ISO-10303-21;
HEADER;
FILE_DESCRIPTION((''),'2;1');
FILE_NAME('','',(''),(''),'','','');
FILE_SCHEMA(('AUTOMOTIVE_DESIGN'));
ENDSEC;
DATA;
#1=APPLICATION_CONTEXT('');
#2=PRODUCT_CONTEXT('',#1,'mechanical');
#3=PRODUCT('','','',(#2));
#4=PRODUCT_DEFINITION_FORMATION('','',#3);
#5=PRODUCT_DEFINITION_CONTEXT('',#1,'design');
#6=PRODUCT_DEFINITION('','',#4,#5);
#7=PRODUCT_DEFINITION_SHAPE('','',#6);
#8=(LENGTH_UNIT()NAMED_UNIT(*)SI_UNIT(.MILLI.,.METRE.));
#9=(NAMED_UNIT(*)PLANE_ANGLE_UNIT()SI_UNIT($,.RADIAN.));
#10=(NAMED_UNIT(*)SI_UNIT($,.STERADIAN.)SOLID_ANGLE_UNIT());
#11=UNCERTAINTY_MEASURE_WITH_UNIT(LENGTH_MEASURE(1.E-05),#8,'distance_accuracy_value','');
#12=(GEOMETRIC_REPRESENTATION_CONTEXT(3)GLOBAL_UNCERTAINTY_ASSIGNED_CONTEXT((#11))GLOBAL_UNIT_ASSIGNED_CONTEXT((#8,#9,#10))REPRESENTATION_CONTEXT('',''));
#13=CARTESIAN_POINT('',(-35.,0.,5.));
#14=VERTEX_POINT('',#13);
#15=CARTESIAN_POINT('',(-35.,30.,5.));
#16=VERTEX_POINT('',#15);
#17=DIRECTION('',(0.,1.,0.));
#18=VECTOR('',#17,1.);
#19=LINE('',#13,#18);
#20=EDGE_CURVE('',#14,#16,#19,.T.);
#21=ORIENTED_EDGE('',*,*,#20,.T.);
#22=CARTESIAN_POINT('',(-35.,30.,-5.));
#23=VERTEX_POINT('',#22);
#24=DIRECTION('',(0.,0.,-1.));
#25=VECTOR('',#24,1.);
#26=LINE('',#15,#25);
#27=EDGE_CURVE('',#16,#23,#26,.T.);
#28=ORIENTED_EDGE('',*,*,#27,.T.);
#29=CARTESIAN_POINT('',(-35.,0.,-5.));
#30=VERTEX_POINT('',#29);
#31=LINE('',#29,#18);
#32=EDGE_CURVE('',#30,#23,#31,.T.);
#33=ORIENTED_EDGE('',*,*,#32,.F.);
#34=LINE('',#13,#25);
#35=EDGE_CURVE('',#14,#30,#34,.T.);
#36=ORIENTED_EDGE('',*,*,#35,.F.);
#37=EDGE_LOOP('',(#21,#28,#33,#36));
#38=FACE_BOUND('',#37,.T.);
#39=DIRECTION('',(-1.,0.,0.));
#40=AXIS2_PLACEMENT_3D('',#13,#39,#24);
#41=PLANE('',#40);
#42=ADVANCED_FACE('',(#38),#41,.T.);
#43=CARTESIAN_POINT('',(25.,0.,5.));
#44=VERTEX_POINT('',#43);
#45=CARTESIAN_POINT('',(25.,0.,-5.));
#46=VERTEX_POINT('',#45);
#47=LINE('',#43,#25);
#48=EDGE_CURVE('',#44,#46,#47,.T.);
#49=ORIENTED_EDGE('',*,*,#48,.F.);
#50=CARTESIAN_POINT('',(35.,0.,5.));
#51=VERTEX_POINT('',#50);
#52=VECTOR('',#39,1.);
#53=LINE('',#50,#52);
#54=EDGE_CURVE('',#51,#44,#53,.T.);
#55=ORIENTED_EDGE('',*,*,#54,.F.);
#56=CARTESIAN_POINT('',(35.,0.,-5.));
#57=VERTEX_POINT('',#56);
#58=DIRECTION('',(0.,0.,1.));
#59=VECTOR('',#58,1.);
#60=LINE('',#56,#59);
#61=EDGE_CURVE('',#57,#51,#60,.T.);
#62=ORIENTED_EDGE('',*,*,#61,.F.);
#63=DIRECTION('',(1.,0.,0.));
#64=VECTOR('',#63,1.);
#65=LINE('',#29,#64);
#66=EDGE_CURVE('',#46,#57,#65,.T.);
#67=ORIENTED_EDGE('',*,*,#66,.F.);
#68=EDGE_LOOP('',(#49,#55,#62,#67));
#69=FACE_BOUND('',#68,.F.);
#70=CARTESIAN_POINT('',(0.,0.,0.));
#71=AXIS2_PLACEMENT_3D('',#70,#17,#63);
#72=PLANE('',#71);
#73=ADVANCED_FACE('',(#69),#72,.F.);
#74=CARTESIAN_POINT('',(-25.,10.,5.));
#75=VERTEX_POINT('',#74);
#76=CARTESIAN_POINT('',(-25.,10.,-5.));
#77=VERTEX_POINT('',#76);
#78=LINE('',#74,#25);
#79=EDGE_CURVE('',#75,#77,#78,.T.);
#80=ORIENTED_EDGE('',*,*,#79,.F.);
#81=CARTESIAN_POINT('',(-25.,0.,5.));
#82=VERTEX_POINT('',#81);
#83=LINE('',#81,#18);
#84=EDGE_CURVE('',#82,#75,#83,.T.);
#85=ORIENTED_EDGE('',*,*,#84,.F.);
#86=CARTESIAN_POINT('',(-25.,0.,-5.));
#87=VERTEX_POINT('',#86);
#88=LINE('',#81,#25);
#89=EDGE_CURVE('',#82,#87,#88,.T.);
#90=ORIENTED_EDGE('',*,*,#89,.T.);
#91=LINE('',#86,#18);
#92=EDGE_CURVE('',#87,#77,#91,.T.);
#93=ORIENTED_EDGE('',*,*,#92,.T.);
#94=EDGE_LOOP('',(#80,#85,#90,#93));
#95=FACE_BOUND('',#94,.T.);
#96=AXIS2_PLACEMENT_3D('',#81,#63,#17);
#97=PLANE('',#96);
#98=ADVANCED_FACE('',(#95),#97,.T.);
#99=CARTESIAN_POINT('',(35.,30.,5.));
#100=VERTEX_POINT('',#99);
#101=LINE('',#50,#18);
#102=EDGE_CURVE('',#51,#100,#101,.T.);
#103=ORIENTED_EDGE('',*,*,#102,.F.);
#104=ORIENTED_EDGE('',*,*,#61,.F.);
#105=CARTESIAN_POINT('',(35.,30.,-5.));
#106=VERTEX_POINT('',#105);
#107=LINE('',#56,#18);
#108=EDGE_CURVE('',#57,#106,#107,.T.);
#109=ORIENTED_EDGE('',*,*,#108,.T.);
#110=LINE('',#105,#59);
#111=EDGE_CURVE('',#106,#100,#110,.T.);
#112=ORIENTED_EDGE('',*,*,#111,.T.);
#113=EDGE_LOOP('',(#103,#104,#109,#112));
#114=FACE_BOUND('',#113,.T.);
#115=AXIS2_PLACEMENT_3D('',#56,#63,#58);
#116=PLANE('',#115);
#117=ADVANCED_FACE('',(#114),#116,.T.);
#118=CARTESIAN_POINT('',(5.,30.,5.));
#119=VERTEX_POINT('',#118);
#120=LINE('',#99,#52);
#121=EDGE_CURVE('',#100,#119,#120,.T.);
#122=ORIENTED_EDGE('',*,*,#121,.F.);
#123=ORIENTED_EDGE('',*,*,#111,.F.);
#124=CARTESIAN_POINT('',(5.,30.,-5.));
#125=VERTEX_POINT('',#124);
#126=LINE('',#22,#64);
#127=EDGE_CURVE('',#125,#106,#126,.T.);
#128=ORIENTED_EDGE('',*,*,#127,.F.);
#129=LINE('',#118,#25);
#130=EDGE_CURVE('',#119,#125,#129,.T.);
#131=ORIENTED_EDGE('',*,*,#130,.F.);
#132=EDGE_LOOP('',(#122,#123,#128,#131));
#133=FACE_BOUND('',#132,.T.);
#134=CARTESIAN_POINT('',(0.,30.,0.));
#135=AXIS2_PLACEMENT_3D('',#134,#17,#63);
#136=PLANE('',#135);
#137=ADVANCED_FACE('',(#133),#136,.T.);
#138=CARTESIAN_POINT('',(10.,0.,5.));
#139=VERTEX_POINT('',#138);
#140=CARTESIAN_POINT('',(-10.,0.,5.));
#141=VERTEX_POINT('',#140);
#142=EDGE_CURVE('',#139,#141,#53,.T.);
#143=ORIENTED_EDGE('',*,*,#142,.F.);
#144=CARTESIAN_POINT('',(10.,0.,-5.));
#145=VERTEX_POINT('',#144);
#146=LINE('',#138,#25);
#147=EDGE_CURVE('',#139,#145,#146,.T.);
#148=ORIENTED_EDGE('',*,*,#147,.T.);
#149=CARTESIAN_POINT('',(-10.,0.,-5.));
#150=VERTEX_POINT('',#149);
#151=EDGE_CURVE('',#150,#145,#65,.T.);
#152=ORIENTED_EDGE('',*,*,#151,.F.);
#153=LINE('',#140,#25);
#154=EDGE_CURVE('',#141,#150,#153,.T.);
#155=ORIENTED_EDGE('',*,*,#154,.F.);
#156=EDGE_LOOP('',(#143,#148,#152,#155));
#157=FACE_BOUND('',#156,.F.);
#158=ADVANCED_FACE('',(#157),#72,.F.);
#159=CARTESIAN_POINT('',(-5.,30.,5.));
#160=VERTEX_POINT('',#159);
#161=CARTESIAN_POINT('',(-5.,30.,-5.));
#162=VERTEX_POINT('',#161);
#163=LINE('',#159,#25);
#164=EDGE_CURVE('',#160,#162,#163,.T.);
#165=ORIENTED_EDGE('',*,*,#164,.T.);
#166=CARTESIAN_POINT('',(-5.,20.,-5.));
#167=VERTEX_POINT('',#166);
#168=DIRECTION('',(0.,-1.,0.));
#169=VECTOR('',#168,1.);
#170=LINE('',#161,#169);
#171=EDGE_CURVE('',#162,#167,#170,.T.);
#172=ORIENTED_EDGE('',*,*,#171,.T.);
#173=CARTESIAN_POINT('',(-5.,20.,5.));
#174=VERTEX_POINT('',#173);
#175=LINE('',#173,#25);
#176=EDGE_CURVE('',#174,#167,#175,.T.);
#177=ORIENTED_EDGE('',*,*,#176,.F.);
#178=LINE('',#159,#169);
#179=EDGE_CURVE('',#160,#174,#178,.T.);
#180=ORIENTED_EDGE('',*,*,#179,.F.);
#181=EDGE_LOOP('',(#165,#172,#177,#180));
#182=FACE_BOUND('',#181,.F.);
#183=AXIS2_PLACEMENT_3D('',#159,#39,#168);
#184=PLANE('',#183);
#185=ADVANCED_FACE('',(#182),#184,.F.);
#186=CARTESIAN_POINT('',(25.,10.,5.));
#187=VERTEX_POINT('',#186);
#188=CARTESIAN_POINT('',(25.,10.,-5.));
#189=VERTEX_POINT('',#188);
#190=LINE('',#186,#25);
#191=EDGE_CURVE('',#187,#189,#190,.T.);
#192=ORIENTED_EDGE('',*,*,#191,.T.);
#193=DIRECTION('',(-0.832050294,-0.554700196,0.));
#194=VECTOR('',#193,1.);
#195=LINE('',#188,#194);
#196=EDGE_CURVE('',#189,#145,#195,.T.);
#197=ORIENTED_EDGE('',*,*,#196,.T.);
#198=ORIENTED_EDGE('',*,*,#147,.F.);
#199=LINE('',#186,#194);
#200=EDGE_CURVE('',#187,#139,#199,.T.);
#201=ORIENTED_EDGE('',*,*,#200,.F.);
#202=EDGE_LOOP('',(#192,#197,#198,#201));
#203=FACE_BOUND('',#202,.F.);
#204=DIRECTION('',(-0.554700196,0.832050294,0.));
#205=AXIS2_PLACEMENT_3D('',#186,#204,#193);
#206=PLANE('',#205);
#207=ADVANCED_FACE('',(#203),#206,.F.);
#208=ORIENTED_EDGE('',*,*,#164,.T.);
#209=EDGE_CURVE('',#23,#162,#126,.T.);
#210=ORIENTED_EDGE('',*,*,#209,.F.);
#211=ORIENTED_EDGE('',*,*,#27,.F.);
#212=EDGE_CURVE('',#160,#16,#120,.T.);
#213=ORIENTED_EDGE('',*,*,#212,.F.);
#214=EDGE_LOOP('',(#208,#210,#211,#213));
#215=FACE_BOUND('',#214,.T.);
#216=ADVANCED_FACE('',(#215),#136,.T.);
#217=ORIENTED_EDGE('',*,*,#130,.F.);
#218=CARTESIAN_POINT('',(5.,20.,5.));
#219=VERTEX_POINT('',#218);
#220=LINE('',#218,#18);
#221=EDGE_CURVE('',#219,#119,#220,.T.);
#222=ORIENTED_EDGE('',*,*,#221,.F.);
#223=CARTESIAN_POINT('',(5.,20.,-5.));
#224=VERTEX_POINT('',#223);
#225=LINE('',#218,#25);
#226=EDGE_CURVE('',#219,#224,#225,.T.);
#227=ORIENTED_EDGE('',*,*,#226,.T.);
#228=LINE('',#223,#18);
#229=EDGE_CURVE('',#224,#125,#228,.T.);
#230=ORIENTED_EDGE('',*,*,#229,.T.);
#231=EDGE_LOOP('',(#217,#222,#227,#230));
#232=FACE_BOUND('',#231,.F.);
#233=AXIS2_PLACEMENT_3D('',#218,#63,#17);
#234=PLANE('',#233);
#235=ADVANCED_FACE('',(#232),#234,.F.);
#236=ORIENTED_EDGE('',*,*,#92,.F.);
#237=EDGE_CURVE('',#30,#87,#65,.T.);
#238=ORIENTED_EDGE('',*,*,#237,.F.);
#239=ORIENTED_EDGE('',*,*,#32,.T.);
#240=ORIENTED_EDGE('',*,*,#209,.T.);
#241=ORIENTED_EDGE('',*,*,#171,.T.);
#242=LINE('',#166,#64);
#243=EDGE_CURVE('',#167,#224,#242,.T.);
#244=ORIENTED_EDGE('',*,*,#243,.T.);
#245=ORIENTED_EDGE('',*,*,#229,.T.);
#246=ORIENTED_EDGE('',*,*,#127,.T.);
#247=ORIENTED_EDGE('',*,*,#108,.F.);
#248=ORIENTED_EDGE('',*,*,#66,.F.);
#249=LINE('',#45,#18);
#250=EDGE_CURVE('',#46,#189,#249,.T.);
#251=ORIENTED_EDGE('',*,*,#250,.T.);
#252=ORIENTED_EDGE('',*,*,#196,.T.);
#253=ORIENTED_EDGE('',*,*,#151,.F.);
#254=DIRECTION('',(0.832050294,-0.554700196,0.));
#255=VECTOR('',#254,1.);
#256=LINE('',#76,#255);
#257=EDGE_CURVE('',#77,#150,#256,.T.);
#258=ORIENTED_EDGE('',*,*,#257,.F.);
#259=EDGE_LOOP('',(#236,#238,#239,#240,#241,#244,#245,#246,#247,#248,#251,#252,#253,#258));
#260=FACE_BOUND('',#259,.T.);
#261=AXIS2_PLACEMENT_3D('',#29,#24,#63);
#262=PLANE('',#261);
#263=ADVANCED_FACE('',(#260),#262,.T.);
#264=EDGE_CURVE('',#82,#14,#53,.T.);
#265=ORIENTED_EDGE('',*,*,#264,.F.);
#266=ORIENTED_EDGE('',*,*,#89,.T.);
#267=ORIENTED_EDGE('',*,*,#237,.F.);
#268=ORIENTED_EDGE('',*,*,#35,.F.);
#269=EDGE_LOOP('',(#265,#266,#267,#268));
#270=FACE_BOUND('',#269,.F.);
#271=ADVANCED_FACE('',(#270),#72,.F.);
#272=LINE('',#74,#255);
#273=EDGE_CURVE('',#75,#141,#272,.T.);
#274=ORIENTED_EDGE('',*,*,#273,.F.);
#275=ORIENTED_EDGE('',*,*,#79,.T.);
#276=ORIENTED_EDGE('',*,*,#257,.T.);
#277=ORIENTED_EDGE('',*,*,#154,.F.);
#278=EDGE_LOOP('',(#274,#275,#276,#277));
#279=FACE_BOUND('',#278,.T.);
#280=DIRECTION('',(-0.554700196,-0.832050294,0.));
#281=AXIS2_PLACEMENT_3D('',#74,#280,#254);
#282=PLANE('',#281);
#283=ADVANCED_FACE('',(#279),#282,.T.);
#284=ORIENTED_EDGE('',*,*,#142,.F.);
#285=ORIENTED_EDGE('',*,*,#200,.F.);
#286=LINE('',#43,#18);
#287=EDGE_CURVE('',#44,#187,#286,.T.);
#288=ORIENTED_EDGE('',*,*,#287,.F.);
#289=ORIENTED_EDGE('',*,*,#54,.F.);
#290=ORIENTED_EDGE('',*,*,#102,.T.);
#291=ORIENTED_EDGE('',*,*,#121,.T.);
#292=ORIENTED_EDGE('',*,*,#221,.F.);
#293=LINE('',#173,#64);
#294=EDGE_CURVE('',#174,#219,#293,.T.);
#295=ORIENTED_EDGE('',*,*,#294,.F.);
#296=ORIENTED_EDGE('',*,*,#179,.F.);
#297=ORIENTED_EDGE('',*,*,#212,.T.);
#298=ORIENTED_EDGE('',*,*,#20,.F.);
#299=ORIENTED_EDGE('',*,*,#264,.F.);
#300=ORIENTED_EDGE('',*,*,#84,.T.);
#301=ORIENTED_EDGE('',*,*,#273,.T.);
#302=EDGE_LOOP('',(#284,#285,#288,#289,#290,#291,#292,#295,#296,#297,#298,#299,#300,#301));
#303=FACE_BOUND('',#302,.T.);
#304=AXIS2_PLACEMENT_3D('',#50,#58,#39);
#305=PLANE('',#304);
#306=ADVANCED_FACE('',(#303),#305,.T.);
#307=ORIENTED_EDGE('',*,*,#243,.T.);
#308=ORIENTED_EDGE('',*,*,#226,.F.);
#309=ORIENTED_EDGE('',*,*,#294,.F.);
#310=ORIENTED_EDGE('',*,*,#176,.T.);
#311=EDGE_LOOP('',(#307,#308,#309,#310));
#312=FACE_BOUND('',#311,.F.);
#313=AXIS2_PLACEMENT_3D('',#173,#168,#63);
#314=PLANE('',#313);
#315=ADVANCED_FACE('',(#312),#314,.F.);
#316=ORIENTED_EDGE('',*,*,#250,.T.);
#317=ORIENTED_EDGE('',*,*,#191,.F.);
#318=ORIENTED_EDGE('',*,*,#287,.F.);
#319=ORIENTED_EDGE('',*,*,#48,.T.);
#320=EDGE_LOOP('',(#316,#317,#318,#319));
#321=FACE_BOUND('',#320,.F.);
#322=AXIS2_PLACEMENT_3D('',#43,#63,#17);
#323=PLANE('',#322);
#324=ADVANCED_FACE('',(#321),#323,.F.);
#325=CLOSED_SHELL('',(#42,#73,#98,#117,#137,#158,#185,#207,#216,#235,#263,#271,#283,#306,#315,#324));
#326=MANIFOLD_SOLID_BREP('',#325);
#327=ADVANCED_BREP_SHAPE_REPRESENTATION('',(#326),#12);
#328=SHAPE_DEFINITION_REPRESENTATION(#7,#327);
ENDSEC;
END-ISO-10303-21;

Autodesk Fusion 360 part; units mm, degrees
sketch "Sketch1" plane through (0, 0, 0) normal (0, 1, 0) x (1, 0, 0)
  line L0 (35, -5) -> (-35, -5)
  line L1 (-35, -5) -> (-35, 5)
  line L2 (-35, 5) -> (35, 5)
  line L3 (35, 5) -> (35, -5)
  line L4 (35, -5) -> (-35, 5) construction
  line L5 (-35, -5) -> (35, 5) construction
  dimension "d1" = 70
  dimension "d2" = 10
extrude "Extrude1" add sketch "Sketch1" along normal blind 30
sketch "Sketch2" plane through (0, 0, 5) normal (0, 0, 1) x (1, 0, 0)
  line L0 (-35, 0) -> (35, 0)
  line L1 (35, 0) -> (35, 30)
  line L2 (35, 30) -> (-35, 30)
  line L3 (-35, 30) -> (-35, 0)
  line L4 (0, 30) -> (-5, 30)
  line L5 (0, 30) -> (5, 30)
  line L6 (-25, 0) -> (-25, 10)
  line L7 (-25, 10) -> (-10, 0)
  line L8 (25, 0) -> (25, 10)
  line L9 (25, 10) -> (10, 0)
  line L10 (-25, 0) -> (-10, 0)
  line L11 (10, 0) -> (25, 0)
  line L12 (-5, 30) -> (-5, 20)
  line L13 (-5, 20) -> (5, 20)
  line L14 (5, 20) -> (5, 30)
  line L15 (-35, 30) -> (-35, 0)
  line L16 (-25, 0) -> (-35, 0)
  line L17 (-35, 30) -> (35, 30)
  line L18 (35, 30) -> (35, 0)
  line L19 (35, 0) -> (-10, 0)
  dimension "d5" = 5
  dimension "d6" = 5
  dimension "d7" = 10
  dimension "d8" = 10
  dimension "d9" = 10
  dimension "d10" = 15
  dimension "d13" = 10
extrude "Extrude2" cut sketch "Sketch2" against normal blind 10 contours L0 L6 L7 L10 | L2 L4 L5 L12 L13 L14 L17 | L0 L8 L9 L11 L19
